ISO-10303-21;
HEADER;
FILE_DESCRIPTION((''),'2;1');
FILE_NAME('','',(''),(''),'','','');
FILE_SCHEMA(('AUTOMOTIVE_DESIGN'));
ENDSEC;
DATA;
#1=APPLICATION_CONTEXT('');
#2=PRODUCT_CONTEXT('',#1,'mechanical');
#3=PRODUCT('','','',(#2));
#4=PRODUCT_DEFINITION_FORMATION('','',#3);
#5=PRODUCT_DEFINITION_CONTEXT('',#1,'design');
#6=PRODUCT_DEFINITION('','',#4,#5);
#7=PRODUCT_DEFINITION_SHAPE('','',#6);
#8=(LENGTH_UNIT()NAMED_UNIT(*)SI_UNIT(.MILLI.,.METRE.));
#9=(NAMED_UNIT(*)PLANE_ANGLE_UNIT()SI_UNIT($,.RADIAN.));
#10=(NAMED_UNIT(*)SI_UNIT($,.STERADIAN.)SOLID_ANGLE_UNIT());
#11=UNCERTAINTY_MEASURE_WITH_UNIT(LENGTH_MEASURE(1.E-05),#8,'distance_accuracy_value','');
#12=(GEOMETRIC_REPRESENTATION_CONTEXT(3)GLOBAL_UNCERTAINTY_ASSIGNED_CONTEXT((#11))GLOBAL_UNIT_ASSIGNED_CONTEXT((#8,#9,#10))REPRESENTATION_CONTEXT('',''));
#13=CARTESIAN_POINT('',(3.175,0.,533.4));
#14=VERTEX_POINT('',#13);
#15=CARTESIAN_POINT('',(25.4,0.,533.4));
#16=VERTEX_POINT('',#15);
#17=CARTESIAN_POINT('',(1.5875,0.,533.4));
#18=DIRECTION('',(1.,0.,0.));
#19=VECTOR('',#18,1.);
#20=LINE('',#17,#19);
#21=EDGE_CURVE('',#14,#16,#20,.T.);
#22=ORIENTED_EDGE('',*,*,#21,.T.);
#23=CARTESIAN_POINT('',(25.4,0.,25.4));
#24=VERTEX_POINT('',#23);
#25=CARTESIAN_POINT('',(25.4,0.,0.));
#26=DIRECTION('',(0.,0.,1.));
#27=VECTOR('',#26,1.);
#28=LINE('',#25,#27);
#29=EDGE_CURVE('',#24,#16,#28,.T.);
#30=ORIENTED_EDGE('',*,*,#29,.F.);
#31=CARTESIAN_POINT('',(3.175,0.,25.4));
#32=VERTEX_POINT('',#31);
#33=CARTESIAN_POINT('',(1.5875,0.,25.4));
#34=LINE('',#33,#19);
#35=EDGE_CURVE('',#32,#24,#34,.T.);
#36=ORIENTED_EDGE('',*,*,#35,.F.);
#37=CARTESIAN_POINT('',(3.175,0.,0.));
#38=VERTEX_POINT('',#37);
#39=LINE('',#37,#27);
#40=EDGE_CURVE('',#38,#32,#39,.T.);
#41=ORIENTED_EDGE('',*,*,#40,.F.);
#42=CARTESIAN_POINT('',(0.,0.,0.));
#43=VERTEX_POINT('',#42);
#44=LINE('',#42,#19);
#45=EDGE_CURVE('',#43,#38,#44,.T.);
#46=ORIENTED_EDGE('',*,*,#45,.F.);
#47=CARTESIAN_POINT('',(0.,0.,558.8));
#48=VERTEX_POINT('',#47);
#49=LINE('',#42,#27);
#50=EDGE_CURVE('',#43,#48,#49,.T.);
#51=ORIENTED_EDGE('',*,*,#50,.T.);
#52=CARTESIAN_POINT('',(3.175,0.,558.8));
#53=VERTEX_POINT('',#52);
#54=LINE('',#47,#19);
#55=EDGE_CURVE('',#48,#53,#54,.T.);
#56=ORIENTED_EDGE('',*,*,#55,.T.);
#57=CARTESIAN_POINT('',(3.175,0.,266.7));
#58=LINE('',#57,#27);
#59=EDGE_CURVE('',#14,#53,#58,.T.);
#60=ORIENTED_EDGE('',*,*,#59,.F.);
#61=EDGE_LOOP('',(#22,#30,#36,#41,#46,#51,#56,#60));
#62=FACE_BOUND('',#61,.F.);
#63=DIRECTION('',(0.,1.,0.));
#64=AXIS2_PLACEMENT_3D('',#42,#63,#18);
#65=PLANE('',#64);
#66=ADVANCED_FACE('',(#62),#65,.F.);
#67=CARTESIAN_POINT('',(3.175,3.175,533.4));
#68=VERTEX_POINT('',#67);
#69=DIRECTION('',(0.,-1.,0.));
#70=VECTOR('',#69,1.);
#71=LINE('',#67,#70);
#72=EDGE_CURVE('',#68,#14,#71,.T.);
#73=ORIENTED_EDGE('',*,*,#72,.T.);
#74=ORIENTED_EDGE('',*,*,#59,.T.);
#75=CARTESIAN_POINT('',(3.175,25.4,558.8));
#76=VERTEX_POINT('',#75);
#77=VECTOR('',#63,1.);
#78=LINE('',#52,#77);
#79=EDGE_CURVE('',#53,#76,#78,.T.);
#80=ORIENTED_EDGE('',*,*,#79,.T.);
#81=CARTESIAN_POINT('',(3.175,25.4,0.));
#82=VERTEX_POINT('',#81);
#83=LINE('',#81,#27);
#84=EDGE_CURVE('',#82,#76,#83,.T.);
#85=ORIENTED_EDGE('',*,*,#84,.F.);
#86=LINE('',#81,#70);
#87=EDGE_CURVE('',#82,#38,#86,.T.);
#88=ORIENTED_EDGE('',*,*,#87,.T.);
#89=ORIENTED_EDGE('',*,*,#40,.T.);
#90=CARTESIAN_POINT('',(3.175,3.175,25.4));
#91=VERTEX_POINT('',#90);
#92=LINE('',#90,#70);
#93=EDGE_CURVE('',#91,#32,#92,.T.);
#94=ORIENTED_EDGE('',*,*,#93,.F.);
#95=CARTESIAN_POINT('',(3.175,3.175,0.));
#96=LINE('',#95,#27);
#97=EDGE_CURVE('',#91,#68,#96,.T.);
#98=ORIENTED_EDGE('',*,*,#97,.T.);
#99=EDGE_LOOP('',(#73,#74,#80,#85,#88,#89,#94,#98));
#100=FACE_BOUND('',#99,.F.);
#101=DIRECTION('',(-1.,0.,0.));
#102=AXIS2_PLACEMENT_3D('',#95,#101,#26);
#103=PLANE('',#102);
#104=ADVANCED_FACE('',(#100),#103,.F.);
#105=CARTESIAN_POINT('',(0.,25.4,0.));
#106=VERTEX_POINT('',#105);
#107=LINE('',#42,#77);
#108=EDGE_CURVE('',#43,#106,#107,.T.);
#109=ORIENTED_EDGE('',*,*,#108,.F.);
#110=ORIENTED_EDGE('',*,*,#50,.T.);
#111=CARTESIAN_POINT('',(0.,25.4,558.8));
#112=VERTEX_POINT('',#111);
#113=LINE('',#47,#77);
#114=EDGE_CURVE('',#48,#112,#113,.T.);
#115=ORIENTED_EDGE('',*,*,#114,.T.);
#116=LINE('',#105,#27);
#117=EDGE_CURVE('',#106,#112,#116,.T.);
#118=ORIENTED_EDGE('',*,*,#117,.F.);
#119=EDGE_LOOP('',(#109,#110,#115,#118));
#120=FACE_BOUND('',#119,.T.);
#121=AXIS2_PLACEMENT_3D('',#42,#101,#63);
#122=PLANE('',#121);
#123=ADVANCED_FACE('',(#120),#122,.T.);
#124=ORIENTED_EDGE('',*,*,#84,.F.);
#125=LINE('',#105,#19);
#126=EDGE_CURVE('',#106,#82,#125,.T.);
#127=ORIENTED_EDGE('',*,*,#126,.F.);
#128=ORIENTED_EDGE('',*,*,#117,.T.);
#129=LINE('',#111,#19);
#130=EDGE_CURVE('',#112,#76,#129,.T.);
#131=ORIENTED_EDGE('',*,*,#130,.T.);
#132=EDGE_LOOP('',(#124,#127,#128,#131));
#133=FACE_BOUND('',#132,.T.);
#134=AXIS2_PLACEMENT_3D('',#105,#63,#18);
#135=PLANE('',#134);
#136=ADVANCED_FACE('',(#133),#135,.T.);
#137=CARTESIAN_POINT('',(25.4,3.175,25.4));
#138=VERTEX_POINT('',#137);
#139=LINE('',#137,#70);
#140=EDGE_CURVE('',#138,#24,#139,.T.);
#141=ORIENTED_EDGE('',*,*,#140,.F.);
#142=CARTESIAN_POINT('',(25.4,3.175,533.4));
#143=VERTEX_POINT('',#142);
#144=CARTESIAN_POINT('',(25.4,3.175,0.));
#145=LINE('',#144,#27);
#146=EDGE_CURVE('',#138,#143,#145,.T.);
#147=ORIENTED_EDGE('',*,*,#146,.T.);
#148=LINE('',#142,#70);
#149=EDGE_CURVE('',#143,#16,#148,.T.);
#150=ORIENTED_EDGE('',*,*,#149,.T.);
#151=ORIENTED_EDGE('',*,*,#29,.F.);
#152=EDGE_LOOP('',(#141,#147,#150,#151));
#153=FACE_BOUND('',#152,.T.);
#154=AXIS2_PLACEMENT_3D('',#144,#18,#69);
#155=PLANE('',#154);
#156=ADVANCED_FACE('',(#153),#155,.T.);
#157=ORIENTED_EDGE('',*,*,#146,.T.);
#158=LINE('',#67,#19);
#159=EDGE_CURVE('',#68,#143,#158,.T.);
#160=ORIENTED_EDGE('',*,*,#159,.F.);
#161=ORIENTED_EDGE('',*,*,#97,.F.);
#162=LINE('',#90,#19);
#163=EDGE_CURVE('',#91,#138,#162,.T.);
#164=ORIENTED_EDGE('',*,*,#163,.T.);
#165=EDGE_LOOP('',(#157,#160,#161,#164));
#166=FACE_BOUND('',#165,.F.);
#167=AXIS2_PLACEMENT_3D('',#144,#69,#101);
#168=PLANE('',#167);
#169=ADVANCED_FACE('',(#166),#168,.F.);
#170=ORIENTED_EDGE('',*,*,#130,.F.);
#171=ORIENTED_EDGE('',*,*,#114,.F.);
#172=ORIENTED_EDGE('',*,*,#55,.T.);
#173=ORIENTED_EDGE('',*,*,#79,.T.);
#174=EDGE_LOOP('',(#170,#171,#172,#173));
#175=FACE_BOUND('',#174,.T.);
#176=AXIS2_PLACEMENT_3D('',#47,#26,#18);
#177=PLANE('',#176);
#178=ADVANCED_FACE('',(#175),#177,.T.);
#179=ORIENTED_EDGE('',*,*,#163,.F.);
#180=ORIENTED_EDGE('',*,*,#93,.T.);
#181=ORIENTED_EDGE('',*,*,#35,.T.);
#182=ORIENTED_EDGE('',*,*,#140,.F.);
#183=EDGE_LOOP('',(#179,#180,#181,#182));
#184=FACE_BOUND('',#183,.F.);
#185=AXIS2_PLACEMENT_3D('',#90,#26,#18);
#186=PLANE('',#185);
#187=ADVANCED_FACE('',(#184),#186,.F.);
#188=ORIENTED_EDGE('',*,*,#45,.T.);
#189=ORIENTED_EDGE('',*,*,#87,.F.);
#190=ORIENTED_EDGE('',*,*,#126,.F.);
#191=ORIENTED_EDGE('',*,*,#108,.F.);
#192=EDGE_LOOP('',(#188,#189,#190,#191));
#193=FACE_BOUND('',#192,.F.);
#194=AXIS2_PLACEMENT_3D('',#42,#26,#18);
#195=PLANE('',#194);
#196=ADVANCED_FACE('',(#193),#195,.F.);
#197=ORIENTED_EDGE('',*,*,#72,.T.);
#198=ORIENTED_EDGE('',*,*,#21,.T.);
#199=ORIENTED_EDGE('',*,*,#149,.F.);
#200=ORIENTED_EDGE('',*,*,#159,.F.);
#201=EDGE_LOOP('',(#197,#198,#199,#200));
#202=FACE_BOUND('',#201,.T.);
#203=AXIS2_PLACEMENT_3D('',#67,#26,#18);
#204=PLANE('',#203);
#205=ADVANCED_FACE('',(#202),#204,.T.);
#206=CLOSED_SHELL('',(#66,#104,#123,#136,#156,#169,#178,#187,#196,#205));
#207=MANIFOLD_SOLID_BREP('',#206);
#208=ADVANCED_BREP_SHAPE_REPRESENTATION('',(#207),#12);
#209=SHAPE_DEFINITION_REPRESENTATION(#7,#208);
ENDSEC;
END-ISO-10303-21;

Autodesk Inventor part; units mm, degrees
ref_plane "YZ Plane" through (0, 0, 0) normal (1, 0, 0) x (0, 1, 0)
ref_plane "XZ Plane" through (0, 0, 0) normal (0, 1, 0) x (-1, 0, 0)
ref_plane "XY Plane" through (0, 0, 0) normal (0, 0, 1) x (1, 0, 0)
sketch "Sketch1" plane through (0, 0, 0) normal (0, 0, 1) x (1, 0, 0)
  line L0 (0, 0) -> (0, 25.4)
  line L1 (0, 0) -> (25.4, 0)
  line L2 (25.4, 3.175) -> (3.175, 3.175)
  line L3 (3.175, 3.175) -> (3.175, 25.4)
  line L4 (25.4, 3.175) -> (25.4, 0)
  line L5 (0, 25.4) -> (3.175, 25.4)
  dimension "d0" = 25.4
  dimension "d1" = 25.4
  dimension "d2" = 3.175
extrude "Extrusion1" add sketch "Sketch1" along normal blind 558.8
sketch "Sketch2" plane through (3.175, 3.175, 0) normal (0, 1, 0) x (1, 0, 0)
  line L0 (0, 0) -> (0, -558.8) projected
  line L1 (0, -25.4) -> (22.225, -25.4)
  line L2 (22.225, 0) -> (22.225, -558.8) projected
  line L3 (0, -533.4) -> (22.225, -533.4)
  line L4 (22.225, -558.8) -> (0, -558.8) projected
  line L5 (0, 0) -> (22.225, 0) projected
  line L6 (22.225, -533.4) -> (22.225, -558.8)
  line L7 (0, -558.8) -> (0, -533.4)
  line L8 (-3.175, -558.8) -> (22.225, -558.8) projected
  line L9 (0, -25.4) -> (0, 0)
  line L10 (-3.175, 0) -> (-3.175, -558.8) projected
  line L11 (22.225, 0) -> (-3.175, 0) projected
  line L12 (0, 0) -> (22.225, 0)
  line L13 (22.225, 0) -> (22.225, -25.4)
  line L14 (0, -558.8) -> (22.225, -558.8)
  dimension "d5" = 25.4
  dimension "d6" = 25.4
extrude "Extrusion2" cut sketch "Sketch2" against normal blind 25.4 contours L5 L2 L1 L0 | L3 L2 L4 L0
properties part number "22 cut 20 L bracket"
